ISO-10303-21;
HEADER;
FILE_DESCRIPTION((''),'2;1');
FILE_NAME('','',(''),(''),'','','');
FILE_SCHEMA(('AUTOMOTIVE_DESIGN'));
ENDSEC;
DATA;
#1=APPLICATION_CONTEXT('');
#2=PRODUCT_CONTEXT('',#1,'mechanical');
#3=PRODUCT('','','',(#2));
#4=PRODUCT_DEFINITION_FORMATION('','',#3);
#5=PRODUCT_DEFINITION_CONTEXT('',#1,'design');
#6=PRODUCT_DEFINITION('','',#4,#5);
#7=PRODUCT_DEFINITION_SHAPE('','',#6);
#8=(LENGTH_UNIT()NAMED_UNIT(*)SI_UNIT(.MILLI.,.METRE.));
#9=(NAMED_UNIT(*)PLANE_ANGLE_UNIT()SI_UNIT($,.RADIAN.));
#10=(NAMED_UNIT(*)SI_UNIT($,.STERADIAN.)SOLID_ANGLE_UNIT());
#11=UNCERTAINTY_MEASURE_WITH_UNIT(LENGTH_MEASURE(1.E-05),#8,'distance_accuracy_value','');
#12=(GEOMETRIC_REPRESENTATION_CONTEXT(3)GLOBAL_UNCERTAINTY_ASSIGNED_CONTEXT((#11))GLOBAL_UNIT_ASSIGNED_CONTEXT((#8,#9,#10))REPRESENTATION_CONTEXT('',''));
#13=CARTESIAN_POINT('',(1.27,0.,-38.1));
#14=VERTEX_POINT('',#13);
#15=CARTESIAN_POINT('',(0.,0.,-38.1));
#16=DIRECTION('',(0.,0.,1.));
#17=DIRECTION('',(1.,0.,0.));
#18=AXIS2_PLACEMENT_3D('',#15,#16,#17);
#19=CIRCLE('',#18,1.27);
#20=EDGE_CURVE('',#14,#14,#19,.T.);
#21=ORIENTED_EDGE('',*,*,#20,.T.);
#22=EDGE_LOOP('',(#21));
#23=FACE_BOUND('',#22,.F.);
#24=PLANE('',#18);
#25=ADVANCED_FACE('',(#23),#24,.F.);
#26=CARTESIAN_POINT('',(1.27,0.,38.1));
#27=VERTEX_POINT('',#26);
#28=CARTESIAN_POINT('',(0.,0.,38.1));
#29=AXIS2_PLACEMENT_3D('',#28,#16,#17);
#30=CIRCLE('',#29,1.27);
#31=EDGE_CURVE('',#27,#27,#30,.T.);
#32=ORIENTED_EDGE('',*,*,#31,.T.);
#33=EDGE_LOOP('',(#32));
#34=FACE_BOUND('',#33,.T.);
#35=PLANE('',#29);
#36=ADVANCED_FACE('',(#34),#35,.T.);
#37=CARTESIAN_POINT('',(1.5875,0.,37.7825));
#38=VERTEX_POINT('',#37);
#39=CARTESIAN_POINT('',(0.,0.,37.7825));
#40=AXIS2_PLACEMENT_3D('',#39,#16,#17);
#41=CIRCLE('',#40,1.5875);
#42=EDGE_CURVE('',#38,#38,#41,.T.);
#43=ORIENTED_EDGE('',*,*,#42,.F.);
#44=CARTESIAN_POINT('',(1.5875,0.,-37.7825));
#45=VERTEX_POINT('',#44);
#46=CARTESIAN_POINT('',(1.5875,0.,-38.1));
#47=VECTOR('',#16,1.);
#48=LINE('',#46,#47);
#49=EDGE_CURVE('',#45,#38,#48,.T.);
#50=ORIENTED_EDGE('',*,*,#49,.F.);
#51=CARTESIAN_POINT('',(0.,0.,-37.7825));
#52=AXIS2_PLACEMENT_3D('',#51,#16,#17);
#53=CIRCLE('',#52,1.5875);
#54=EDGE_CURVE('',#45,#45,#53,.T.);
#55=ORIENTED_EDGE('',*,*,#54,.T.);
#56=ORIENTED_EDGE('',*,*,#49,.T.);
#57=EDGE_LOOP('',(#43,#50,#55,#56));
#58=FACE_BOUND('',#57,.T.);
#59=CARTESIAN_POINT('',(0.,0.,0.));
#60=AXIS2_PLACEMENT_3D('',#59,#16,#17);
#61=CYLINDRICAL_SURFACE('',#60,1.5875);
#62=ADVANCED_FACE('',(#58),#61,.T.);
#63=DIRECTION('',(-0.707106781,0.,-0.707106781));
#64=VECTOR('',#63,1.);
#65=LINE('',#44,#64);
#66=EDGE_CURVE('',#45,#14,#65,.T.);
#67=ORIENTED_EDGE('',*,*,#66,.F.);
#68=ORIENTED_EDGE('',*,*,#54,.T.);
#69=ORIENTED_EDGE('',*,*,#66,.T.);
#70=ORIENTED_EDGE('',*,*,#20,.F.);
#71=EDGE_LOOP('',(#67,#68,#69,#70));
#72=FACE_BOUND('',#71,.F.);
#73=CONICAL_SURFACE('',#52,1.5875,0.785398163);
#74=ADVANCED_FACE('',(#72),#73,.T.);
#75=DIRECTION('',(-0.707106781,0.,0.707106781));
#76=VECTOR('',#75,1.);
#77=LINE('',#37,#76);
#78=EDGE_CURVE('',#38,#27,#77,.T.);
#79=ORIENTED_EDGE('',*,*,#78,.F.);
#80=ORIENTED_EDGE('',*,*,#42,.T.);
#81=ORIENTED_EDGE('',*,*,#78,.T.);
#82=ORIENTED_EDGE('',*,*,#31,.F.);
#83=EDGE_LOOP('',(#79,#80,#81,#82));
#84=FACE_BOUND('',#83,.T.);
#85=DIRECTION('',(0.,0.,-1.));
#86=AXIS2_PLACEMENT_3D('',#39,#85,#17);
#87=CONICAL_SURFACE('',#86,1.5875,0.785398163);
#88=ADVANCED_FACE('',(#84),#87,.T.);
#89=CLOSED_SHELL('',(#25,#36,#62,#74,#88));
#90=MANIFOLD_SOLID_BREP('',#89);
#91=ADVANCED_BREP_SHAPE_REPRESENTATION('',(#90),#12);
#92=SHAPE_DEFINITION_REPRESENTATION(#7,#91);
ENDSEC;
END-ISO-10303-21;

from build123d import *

# Parameters (mm, degrees)
SKETCH1_R      = 1.5875
EXTRUDE1_DEPTH = 38.1
CHAMFER1_SIZE  = 0.3175


with BuildPart() as part:
    # Sketch1 → Extrude1 (new body, symmetric)
    with BuildSketch(Plane.XY):
        Circle(SKETCH1_R)
    extrude(amount=EXTRUDE1_DEPTH, both=True)

    # Chamfer1
    chamfer1_edges = [part.edges().sort_by_distance(p)[0] for p in [
        (-1.5875, 0, -38.1),
        (-1.5875, 0, 38.1),
    ]]
    chamfer(chamfer1_edges, length=CHAMFER1_SIZE)


solid = part.part
